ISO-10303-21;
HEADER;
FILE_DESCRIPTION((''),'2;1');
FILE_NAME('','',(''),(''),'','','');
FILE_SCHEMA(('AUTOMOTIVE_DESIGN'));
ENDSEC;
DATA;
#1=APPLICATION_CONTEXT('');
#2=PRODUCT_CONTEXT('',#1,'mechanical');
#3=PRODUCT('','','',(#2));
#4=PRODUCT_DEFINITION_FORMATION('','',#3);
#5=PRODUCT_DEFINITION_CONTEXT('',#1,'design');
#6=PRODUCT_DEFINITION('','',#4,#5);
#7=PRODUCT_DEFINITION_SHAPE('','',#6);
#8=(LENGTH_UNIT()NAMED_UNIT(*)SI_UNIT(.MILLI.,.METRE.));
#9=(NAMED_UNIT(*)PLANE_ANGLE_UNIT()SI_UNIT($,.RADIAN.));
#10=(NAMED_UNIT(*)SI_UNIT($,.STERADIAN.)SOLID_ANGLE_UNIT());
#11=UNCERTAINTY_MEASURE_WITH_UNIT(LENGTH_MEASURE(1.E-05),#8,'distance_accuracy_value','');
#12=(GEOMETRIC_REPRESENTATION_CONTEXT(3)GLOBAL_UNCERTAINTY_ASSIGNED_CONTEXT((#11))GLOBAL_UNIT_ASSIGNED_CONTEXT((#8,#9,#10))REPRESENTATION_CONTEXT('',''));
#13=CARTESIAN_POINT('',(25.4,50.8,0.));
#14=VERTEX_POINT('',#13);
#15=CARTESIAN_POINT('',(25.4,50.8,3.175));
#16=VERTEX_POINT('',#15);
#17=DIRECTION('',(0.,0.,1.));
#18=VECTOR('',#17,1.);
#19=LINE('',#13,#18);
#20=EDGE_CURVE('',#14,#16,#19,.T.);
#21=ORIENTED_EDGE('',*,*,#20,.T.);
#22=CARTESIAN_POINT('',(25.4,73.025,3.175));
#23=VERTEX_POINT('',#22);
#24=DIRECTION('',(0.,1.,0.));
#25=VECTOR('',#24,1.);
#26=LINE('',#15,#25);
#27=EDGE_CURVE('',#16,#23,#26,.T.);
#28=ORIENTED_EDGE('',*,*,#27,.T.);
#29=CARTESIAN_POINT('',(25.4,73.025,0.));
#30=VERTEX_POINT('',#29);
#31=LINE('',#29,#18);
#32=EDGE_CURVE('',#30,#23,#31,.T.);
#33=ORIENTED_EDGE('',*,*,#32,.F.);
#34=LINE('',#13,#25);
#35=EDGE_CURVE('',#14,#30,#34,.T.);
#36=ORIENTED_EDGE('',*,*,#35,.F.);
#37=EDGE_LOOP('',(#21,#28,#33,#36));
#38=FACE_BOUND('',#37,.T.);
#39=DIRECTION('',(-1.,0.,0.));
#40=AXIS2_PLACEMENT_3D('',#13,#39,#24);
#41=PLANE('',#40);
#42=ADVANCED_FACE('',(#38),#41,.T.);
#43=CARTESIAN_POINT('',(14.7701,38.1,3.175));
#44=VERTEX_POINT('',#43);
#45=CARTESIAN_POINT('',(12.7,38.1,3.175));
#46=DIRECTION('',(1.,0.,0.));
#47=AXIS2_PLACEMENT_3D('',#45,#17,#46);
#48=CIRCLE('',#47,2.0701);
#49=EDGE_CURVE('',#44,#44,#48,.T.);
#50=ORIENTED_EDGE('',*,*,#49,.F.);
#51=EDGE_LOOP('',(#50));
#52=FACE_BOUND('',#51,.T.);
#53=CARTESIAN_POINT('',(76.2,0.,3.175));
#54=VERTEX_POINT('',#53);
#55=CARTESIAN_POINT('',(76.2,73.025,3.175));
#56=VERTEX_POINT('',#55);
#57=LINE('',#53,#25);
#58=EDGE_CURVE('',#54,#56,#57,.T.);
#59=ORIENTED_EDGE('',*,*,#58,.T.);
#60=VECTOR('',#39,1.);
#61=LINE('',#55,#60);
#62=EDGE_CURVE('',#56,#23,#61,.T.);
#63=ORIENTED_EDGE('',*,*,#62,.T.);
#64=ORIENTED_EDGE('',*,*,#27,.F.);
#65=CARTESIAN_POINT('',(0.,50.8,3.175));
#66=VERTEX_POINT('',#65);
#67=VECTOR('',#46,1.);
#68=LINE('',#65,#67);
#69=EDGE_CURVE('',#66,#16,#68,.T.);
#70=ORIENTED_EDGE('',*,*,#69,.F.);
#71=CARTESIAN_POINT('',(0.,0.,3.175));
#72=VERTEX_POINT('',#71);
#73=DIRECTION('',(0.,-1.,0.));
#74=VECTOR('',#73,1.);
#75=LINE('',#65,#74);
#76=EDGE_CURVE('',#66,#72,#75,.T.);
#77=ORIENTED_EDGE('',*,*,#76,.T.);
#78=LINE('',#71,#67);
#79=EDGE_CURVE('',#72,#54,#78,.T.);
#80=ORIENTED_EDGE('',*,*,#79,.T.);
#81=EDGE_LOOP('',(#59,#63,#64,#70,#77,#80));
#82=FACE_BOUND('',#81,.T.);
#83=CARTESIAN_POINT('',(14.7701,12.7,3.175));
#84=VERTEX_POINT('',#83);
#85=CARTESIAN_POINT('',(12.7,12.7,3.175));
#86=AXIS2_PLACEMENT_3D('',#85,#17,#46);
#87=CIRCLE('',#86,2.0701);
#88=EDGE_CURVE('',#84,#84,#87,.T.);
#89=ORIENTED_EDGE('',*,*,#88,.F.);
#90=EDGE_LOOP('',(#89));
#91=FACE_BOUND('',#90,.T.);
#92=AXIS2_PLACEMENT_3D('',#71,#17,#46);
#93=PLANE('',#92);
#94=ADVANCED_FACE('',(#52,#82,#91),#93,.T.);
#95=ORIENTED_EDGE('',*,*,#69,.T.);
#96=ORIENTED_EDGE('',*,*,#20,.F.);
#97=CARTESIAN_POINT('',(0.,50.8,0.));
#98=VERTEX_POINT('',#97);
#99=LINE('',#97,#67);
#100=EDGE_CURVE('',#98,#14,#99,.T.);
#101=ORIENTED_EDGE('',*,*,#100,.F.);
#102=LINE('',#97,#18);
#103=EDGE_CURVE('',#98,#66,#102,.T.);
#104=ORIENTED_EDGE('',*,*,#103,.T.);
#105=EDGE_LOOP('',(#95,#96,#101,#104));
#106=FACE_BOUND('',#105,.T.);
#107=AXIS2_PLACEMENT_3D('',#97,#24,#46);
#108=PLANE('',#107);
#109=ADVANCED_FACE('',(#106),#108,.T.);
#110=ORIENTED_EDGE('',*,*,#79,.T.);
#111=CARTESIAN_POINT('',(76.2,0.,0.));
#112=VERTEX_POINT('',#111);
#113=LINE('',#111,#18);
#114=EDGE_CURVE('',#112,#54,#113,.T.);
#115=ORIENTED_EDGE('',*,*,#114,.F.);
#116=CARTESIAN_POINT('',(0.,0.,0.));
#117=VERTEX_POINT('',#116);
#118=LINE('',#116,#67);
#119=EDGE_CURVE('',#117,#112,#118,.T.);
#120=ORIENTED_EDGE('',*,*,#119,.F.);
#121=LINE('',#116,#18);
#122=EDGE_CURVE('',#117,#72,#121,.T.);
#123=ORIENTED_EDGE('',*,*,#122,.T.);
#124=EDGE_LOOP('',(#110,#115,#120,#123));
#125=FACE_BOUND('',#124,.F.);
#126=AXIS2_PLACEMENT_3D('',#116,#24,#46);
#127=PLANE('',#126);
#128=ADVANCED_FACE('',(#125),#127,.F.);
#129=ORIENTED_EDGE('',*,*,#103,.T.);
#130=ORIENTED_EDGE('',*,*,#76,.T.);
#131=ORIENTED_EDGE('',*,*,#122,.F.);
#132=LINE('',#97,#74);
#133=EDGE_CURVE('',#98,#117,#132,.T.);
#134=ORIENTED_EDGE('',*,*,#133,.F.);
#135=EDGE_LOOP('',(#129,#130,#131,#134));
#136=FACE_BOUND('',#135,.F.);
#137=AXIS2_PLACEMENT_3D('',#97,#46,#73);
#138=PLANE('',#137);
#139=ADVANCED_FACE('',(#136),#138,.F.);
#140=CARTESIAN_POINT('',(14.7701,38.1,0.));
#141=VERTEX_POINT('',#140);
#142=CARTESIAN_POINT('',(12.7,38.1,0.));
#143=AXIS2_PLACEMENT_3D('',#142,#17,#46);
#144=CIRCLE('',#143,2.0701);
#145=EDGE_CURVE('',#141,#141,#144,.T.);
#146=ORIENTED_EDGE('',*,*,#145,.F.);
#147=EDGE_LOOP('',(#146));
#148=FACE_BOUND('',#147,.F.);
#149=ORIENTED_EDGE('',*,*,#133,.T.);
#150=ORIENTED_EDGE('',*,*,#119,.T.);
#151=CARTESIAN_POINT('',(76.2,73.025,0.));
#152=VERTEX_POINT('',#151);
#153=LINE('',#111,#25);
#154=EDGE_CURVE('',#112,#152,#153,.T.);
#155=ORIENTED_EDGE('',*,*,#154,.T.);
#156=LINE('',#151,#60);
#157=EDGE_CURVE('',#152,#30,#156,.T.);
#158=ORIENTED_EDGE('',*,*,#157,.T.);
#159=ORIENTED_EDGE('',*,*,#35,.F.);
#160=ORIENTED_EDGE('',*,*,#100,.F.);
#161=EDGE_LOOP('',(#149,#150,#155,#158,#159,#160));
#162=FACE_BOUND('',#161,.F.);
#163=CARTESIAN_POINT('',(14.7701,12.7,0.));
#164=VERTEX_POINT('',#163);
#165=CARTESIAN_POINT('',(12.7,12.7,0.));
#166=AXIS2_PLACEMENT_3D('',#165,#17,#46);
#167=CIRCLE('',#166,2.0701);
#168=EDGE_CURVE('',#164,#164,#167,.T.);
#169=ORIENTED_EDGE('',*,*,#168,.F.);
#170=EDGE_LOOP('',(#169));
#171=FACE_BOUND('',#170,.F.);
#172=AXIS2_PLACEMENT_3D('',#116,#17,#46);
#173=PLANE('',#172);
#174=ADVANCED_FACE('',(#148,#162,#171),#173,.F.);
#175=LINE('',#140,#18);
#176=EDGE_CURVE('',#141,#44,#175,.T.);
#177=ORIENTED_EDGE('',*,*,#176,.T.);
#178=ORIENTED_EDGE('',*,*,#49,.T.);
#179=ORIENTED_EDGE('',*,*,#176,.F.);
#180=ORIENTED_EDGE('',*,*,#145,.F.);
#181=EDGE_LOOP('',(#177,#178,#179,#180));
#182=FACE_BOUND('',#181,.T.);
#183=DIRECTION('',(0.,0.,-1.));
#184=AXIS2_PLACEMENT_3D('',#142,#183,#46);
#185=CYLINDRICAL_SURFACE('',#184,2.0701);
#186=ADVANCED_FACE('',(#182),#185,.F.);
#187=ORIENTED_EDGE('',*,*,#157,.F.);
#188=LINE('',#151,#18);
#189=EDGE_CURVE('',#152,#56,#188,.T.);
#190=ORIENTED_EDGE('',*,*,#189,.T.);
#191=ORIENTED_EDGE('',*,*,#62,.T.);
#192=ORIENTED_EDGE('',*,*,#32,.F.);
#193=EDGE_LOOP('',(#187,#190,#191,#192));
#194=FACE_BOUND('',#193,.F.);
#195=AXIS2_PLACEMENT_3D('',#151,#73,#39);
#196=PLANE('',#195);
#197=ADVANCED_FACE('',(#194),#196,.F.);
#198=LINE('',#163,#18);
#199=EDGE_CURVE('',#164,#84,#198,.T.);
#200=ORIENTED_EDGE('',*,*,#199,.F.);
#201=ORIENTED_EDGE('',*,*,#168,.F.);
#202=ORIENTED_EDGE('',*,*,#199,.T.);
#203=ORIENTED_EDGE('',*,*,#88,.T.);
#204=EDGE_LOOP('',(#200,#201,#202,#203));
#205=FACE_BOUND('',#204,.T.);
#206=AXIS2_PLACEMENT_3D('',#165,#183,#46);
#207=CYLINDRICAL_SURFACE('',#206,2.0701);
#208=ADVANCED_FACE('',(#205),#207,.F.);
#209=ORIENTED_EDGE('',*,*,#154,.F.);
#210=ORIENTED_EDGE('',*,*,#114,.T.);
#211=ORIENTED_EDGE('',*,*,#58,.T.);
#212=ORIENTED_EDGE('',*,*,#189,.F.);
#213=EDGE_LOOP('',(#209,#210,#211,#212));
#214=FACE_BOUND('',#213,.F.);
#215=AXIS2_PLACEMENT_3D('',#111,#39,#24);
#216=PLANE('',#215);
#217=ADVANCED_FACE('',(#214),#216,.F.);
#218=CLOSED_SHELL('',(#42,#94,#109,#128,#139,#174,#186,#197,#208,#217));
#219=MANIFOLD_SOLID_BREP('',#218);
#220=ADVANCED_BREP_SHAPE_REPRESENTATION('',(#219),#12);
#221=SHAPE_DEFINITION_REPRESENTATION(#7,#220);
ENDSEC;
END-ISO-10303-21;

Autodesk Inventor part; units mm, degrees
ref_plane "YZ Plane" through (0, 0, 0) normal (1, 0, 0) x (0, 1, 0)
ref_plane "XZ Plane" through (0, 0, 0) normal (0, 1, 0) x (-1, 0, 0)
ref_plane "XY Plane" through (0, 0, 0) normal (0, 0, 1) x (1, 0, 0)
sketch "Sketch1" plane through (0, 0, 0) normal (0, 0, 1) x (1, 0, 0)
  line L0 (0, 0) -> (76.2, 0)
  line L1 (76.2, 0) -> (76.2, 73.025)
  line L2 (76.2, 73.025) -> (25.4, 73.025)
  line L3 (0, 50.8) -> (0, 0)
  circle A0 centre (12.7, 38.1) radius 2.0701
  circle A1 centre (12.7, 12.7) radius 2.0701
  line L4 (12.7, 38.1) -> (12.7, 12.7) construction
  line L5 (0, 50.8) -> (25.4, 50.8)
  line L6 (25.4, 50.8) -> (25.4, 73.025)
  dimension "d2" = 4.1402
  dimension "d3" = 4.1402
  dimension "d4" = 12.7
  dimension "d5" = 12.7
  dimension "d6" = 25.4
  dimension "d9" = 25.4
  dimension "d10" = 50.8
  dimension "d11" = 50.8
  dimension "d12" = 73.025
extrude "Extrusion1" add sketch "Sketch1" along normal blind 3.175
properties part number "Polycarbonate Board Circuit Breaker" material "Polycarbonate, Clear"
